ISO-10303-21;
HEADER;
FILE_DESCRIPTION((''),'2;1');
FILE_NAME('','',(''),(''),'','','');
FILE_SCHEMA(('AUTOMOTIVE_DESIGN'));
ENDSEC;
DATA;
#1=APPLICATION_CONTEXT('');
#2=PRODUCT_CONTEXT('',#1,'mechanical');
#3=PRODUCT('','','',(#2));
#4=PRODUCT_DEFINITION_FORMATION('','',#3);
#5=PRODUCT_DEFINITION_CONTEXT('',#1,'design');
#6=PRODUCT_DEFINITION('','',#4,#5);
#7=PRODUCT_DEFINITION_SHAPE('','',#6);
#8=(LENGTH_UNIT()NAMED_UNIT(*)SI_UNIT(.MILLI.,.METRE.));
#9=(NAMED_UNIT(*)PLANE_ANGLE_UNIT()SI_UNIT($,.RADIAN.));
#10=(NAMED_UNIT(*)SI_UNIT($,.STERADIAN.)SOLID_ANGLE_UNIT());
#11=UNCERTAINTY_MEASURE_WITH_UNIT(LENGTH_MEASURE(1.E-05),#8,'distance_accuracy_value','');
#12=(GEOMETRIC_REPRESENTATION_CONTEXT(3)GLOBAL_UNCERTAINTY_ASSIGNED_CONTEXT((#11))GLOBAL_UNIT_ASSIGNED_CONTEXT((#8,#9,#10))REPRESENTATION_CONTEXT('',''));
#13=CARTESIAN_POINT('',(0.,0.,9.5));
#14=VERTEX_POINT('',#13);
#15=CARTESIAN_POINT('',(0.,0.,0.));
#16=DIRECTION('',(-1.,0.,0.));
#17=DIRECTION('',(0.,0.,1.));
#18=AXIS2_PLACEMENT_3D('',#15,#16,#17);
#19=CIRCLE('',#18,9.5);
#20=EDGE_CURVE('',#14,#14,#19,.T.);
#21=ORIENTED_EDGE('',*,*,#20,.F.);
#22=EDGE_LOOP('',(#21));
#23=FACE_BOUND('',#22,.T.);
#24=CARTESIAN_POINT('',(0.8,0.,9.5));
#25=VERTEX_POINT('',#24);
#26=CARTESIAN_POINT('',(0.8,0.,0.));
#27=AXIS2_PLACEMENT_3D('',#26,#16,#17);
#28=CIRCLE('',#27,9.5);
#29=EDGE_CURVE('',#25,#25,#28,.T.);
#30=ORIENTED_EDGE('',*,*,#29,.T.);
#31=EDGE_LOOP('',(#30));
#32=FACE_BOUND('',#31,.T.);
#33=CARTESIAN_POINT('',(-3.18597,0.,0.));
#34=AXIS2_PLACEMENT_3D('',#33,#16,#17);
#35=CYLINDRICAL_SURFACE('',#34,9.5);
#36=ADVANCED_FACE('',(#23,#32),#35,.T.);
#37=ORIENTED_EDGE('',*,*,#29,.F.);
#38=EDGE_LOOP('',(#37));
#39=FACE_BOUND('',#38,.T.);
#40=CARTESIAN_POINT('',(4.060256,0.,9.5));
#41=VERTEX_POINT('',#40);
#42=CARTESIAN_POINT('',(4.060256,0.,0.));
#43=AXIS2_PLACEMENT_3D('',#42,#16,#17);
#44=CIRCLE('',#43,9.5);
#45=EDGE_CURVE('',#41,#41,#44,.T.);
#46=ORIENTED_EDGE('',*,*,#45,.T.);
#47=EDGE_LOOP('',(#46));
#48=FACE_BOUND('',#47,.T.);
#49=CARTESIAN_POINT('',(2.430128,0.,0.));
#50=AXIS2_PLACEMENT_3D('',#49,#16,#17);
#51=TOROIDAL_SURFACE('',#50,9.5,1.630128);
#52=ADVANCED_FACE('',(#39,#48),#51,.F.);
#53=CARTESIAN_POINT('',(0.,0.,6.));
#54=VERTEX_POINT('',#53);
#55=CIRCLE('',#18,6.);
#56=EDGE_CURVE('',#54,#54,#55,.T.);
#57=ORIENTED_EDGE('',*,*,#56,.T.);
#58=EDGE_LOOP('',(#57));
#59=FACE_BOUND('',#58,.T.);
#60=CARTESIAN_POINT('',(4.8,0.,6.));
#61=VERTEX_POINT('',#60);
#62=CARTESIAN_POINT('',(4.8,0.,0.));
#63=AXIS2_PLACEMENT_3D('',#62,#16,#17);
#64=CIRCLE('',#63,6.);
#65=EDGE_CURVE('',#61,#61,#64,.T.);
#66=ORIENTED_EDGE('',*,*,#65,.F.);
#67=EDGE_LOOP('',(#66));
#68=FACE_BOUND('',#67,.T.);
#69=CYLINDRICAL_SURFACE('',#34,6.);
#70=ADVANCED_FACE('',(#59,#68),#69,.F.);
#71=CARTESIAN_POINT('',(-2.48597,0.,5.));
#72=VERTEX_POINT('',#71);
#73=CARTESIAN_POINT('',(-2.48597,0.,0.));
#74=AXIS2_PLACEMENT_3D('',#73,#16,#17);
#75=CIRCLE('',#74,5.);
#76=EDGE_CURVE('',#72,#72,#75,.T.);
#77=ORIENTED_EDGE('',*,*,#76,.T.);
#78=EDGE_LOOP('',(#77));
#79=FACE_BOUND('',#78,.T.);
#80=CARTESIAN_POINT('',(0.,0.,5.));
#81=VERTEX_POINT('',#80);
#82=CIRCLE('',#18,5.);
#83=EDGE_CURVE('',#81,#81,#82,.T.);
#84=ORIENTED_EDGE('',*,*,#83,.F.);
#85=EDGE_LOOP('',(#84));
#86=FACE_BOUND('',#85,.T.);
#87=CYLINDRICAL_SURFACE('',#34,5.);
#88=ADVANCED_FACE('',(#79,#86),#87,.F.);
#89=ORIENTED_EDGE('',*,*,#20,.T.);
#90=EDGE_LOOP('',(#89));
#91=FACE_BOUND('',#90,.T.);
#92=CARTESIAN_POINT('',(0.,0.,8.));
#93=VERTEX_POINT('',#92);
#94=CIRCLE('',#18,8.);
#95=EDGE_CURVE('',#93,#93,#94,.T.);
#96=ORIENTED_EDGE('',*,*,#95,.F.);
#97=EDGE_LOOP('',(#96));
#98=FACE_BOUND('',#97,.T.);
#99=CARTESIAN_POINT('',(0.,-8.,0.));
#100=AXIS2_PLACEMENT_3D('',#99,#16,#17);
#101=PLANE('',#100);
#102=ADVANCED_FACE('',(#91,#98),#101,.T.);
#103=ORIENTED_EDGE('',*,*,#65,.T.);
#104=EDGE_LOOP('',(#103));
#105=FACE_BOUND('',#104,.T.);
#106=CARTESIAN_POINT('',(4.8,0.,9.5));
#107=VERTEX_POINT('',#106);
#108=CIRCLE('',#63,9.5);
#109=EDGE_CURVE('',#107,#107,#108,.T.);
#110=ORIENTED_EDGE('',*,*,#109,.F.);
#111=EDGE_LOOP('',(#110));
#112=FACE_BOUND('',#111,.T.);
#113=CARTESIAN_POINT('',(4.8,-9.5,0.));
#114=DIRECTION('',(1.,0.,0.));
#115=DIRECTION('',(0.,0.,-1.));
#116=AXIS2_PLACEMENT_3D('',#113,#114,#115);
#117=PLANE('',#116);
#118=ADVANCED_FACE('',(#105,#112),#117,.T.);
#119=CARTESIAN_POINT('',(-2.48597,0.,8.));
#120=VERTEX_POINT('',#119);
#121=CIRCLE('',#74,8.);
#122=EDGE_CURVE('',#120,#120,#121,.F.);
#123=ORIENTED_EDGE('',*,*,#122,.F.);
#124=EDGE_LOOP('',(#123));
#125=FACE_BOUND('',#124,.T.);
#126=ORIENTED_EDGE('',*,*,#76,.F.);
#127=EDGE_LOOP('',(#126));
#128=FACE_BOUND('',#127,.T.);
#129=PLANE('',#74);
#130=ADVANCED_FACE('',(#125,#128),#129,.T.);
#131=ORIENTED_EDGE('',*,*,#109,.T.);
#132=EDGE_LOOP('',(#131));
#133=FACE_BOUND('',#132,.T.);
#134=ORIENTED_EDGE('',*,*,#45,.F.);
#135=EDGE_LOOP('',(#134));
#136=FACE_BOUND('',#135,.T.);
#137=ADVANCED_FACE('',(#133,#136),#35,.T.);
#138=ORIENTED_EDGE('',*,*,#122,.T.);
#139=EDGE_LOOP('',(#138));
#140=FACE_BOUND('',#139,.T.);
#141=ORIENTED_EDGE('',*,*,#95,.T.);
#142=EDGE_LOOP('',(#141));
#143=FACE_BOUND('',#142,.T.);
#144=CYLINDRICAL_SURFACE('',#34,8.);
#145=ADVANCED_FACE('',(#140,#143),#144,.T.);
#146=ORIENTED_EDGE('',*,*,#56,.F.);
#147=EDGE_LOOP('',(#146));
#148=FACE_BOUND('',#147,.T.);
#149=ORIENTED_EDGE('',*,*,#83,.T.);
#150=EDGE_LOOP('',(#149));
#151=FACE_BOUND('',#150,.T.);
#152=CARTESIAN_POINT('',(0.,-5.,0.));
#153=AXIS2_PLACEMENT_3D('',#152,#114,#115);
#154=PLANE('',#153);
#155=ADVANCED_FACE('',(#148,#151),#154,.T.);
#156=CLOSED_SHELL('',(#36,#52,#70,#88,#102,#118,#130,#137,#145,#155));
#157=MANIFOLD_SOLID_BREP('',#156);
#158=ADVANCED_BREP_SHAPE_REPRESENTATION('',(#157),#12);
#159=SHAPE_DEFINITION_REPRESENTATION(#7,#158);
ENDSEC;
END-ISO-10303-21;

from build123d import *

# Parameters (mm, degrees)
SKETCH_2_R          = 8.712878419
CUT_EXTRUDE_1_DEPTH = 0.7


with BuildPart() as part:
    # 草图1 → 旋转1 (revolve)
    with BuildSketch(Plane.XY, mode=Mode.PRIVATE) as revolve_1_sk:
        with BuildLine():
            Line((0, -9.5), (0.8, -9.5))
            ThreePointArc((0.8, -9.5), (2.430127754, -7.869872246), (4.060255508, -9.5))
            Line((4.060255508, -9.5), (4.8, -9.5))
            Line((4.8, -9.5), (4.8, -6))
            Line((4.8, -6), (0, -6))
            Line((0, -6), (0, -5))
            Line((0, -5), (-3.185969682, -5))
            Line((-3.185969682, -5), (-3.185969682, -8))
            Line((-3.185969682, -8), (0, -8))
            Line((0, -8), (0, -9.5))
        make_face()
    revolve(revolve_1_sk.sketch.rotate(Axis((-3.185969682, 0, 0), (1, 0, 0)), 270), axis=Axis((-3.185969682, 0, 0), (1, 0, 0)))

    # 草图2 → 切除-拉伸1 (cut)
    with BuildSketch(Plane.ZY.offset(3.185969682)):
        Circle(SKETCH_2_R)
    extrude(amount=-CUT_EXTRUDE_1_DEPTH, mode=Mode.SUBTRACT)


solid = part.part
